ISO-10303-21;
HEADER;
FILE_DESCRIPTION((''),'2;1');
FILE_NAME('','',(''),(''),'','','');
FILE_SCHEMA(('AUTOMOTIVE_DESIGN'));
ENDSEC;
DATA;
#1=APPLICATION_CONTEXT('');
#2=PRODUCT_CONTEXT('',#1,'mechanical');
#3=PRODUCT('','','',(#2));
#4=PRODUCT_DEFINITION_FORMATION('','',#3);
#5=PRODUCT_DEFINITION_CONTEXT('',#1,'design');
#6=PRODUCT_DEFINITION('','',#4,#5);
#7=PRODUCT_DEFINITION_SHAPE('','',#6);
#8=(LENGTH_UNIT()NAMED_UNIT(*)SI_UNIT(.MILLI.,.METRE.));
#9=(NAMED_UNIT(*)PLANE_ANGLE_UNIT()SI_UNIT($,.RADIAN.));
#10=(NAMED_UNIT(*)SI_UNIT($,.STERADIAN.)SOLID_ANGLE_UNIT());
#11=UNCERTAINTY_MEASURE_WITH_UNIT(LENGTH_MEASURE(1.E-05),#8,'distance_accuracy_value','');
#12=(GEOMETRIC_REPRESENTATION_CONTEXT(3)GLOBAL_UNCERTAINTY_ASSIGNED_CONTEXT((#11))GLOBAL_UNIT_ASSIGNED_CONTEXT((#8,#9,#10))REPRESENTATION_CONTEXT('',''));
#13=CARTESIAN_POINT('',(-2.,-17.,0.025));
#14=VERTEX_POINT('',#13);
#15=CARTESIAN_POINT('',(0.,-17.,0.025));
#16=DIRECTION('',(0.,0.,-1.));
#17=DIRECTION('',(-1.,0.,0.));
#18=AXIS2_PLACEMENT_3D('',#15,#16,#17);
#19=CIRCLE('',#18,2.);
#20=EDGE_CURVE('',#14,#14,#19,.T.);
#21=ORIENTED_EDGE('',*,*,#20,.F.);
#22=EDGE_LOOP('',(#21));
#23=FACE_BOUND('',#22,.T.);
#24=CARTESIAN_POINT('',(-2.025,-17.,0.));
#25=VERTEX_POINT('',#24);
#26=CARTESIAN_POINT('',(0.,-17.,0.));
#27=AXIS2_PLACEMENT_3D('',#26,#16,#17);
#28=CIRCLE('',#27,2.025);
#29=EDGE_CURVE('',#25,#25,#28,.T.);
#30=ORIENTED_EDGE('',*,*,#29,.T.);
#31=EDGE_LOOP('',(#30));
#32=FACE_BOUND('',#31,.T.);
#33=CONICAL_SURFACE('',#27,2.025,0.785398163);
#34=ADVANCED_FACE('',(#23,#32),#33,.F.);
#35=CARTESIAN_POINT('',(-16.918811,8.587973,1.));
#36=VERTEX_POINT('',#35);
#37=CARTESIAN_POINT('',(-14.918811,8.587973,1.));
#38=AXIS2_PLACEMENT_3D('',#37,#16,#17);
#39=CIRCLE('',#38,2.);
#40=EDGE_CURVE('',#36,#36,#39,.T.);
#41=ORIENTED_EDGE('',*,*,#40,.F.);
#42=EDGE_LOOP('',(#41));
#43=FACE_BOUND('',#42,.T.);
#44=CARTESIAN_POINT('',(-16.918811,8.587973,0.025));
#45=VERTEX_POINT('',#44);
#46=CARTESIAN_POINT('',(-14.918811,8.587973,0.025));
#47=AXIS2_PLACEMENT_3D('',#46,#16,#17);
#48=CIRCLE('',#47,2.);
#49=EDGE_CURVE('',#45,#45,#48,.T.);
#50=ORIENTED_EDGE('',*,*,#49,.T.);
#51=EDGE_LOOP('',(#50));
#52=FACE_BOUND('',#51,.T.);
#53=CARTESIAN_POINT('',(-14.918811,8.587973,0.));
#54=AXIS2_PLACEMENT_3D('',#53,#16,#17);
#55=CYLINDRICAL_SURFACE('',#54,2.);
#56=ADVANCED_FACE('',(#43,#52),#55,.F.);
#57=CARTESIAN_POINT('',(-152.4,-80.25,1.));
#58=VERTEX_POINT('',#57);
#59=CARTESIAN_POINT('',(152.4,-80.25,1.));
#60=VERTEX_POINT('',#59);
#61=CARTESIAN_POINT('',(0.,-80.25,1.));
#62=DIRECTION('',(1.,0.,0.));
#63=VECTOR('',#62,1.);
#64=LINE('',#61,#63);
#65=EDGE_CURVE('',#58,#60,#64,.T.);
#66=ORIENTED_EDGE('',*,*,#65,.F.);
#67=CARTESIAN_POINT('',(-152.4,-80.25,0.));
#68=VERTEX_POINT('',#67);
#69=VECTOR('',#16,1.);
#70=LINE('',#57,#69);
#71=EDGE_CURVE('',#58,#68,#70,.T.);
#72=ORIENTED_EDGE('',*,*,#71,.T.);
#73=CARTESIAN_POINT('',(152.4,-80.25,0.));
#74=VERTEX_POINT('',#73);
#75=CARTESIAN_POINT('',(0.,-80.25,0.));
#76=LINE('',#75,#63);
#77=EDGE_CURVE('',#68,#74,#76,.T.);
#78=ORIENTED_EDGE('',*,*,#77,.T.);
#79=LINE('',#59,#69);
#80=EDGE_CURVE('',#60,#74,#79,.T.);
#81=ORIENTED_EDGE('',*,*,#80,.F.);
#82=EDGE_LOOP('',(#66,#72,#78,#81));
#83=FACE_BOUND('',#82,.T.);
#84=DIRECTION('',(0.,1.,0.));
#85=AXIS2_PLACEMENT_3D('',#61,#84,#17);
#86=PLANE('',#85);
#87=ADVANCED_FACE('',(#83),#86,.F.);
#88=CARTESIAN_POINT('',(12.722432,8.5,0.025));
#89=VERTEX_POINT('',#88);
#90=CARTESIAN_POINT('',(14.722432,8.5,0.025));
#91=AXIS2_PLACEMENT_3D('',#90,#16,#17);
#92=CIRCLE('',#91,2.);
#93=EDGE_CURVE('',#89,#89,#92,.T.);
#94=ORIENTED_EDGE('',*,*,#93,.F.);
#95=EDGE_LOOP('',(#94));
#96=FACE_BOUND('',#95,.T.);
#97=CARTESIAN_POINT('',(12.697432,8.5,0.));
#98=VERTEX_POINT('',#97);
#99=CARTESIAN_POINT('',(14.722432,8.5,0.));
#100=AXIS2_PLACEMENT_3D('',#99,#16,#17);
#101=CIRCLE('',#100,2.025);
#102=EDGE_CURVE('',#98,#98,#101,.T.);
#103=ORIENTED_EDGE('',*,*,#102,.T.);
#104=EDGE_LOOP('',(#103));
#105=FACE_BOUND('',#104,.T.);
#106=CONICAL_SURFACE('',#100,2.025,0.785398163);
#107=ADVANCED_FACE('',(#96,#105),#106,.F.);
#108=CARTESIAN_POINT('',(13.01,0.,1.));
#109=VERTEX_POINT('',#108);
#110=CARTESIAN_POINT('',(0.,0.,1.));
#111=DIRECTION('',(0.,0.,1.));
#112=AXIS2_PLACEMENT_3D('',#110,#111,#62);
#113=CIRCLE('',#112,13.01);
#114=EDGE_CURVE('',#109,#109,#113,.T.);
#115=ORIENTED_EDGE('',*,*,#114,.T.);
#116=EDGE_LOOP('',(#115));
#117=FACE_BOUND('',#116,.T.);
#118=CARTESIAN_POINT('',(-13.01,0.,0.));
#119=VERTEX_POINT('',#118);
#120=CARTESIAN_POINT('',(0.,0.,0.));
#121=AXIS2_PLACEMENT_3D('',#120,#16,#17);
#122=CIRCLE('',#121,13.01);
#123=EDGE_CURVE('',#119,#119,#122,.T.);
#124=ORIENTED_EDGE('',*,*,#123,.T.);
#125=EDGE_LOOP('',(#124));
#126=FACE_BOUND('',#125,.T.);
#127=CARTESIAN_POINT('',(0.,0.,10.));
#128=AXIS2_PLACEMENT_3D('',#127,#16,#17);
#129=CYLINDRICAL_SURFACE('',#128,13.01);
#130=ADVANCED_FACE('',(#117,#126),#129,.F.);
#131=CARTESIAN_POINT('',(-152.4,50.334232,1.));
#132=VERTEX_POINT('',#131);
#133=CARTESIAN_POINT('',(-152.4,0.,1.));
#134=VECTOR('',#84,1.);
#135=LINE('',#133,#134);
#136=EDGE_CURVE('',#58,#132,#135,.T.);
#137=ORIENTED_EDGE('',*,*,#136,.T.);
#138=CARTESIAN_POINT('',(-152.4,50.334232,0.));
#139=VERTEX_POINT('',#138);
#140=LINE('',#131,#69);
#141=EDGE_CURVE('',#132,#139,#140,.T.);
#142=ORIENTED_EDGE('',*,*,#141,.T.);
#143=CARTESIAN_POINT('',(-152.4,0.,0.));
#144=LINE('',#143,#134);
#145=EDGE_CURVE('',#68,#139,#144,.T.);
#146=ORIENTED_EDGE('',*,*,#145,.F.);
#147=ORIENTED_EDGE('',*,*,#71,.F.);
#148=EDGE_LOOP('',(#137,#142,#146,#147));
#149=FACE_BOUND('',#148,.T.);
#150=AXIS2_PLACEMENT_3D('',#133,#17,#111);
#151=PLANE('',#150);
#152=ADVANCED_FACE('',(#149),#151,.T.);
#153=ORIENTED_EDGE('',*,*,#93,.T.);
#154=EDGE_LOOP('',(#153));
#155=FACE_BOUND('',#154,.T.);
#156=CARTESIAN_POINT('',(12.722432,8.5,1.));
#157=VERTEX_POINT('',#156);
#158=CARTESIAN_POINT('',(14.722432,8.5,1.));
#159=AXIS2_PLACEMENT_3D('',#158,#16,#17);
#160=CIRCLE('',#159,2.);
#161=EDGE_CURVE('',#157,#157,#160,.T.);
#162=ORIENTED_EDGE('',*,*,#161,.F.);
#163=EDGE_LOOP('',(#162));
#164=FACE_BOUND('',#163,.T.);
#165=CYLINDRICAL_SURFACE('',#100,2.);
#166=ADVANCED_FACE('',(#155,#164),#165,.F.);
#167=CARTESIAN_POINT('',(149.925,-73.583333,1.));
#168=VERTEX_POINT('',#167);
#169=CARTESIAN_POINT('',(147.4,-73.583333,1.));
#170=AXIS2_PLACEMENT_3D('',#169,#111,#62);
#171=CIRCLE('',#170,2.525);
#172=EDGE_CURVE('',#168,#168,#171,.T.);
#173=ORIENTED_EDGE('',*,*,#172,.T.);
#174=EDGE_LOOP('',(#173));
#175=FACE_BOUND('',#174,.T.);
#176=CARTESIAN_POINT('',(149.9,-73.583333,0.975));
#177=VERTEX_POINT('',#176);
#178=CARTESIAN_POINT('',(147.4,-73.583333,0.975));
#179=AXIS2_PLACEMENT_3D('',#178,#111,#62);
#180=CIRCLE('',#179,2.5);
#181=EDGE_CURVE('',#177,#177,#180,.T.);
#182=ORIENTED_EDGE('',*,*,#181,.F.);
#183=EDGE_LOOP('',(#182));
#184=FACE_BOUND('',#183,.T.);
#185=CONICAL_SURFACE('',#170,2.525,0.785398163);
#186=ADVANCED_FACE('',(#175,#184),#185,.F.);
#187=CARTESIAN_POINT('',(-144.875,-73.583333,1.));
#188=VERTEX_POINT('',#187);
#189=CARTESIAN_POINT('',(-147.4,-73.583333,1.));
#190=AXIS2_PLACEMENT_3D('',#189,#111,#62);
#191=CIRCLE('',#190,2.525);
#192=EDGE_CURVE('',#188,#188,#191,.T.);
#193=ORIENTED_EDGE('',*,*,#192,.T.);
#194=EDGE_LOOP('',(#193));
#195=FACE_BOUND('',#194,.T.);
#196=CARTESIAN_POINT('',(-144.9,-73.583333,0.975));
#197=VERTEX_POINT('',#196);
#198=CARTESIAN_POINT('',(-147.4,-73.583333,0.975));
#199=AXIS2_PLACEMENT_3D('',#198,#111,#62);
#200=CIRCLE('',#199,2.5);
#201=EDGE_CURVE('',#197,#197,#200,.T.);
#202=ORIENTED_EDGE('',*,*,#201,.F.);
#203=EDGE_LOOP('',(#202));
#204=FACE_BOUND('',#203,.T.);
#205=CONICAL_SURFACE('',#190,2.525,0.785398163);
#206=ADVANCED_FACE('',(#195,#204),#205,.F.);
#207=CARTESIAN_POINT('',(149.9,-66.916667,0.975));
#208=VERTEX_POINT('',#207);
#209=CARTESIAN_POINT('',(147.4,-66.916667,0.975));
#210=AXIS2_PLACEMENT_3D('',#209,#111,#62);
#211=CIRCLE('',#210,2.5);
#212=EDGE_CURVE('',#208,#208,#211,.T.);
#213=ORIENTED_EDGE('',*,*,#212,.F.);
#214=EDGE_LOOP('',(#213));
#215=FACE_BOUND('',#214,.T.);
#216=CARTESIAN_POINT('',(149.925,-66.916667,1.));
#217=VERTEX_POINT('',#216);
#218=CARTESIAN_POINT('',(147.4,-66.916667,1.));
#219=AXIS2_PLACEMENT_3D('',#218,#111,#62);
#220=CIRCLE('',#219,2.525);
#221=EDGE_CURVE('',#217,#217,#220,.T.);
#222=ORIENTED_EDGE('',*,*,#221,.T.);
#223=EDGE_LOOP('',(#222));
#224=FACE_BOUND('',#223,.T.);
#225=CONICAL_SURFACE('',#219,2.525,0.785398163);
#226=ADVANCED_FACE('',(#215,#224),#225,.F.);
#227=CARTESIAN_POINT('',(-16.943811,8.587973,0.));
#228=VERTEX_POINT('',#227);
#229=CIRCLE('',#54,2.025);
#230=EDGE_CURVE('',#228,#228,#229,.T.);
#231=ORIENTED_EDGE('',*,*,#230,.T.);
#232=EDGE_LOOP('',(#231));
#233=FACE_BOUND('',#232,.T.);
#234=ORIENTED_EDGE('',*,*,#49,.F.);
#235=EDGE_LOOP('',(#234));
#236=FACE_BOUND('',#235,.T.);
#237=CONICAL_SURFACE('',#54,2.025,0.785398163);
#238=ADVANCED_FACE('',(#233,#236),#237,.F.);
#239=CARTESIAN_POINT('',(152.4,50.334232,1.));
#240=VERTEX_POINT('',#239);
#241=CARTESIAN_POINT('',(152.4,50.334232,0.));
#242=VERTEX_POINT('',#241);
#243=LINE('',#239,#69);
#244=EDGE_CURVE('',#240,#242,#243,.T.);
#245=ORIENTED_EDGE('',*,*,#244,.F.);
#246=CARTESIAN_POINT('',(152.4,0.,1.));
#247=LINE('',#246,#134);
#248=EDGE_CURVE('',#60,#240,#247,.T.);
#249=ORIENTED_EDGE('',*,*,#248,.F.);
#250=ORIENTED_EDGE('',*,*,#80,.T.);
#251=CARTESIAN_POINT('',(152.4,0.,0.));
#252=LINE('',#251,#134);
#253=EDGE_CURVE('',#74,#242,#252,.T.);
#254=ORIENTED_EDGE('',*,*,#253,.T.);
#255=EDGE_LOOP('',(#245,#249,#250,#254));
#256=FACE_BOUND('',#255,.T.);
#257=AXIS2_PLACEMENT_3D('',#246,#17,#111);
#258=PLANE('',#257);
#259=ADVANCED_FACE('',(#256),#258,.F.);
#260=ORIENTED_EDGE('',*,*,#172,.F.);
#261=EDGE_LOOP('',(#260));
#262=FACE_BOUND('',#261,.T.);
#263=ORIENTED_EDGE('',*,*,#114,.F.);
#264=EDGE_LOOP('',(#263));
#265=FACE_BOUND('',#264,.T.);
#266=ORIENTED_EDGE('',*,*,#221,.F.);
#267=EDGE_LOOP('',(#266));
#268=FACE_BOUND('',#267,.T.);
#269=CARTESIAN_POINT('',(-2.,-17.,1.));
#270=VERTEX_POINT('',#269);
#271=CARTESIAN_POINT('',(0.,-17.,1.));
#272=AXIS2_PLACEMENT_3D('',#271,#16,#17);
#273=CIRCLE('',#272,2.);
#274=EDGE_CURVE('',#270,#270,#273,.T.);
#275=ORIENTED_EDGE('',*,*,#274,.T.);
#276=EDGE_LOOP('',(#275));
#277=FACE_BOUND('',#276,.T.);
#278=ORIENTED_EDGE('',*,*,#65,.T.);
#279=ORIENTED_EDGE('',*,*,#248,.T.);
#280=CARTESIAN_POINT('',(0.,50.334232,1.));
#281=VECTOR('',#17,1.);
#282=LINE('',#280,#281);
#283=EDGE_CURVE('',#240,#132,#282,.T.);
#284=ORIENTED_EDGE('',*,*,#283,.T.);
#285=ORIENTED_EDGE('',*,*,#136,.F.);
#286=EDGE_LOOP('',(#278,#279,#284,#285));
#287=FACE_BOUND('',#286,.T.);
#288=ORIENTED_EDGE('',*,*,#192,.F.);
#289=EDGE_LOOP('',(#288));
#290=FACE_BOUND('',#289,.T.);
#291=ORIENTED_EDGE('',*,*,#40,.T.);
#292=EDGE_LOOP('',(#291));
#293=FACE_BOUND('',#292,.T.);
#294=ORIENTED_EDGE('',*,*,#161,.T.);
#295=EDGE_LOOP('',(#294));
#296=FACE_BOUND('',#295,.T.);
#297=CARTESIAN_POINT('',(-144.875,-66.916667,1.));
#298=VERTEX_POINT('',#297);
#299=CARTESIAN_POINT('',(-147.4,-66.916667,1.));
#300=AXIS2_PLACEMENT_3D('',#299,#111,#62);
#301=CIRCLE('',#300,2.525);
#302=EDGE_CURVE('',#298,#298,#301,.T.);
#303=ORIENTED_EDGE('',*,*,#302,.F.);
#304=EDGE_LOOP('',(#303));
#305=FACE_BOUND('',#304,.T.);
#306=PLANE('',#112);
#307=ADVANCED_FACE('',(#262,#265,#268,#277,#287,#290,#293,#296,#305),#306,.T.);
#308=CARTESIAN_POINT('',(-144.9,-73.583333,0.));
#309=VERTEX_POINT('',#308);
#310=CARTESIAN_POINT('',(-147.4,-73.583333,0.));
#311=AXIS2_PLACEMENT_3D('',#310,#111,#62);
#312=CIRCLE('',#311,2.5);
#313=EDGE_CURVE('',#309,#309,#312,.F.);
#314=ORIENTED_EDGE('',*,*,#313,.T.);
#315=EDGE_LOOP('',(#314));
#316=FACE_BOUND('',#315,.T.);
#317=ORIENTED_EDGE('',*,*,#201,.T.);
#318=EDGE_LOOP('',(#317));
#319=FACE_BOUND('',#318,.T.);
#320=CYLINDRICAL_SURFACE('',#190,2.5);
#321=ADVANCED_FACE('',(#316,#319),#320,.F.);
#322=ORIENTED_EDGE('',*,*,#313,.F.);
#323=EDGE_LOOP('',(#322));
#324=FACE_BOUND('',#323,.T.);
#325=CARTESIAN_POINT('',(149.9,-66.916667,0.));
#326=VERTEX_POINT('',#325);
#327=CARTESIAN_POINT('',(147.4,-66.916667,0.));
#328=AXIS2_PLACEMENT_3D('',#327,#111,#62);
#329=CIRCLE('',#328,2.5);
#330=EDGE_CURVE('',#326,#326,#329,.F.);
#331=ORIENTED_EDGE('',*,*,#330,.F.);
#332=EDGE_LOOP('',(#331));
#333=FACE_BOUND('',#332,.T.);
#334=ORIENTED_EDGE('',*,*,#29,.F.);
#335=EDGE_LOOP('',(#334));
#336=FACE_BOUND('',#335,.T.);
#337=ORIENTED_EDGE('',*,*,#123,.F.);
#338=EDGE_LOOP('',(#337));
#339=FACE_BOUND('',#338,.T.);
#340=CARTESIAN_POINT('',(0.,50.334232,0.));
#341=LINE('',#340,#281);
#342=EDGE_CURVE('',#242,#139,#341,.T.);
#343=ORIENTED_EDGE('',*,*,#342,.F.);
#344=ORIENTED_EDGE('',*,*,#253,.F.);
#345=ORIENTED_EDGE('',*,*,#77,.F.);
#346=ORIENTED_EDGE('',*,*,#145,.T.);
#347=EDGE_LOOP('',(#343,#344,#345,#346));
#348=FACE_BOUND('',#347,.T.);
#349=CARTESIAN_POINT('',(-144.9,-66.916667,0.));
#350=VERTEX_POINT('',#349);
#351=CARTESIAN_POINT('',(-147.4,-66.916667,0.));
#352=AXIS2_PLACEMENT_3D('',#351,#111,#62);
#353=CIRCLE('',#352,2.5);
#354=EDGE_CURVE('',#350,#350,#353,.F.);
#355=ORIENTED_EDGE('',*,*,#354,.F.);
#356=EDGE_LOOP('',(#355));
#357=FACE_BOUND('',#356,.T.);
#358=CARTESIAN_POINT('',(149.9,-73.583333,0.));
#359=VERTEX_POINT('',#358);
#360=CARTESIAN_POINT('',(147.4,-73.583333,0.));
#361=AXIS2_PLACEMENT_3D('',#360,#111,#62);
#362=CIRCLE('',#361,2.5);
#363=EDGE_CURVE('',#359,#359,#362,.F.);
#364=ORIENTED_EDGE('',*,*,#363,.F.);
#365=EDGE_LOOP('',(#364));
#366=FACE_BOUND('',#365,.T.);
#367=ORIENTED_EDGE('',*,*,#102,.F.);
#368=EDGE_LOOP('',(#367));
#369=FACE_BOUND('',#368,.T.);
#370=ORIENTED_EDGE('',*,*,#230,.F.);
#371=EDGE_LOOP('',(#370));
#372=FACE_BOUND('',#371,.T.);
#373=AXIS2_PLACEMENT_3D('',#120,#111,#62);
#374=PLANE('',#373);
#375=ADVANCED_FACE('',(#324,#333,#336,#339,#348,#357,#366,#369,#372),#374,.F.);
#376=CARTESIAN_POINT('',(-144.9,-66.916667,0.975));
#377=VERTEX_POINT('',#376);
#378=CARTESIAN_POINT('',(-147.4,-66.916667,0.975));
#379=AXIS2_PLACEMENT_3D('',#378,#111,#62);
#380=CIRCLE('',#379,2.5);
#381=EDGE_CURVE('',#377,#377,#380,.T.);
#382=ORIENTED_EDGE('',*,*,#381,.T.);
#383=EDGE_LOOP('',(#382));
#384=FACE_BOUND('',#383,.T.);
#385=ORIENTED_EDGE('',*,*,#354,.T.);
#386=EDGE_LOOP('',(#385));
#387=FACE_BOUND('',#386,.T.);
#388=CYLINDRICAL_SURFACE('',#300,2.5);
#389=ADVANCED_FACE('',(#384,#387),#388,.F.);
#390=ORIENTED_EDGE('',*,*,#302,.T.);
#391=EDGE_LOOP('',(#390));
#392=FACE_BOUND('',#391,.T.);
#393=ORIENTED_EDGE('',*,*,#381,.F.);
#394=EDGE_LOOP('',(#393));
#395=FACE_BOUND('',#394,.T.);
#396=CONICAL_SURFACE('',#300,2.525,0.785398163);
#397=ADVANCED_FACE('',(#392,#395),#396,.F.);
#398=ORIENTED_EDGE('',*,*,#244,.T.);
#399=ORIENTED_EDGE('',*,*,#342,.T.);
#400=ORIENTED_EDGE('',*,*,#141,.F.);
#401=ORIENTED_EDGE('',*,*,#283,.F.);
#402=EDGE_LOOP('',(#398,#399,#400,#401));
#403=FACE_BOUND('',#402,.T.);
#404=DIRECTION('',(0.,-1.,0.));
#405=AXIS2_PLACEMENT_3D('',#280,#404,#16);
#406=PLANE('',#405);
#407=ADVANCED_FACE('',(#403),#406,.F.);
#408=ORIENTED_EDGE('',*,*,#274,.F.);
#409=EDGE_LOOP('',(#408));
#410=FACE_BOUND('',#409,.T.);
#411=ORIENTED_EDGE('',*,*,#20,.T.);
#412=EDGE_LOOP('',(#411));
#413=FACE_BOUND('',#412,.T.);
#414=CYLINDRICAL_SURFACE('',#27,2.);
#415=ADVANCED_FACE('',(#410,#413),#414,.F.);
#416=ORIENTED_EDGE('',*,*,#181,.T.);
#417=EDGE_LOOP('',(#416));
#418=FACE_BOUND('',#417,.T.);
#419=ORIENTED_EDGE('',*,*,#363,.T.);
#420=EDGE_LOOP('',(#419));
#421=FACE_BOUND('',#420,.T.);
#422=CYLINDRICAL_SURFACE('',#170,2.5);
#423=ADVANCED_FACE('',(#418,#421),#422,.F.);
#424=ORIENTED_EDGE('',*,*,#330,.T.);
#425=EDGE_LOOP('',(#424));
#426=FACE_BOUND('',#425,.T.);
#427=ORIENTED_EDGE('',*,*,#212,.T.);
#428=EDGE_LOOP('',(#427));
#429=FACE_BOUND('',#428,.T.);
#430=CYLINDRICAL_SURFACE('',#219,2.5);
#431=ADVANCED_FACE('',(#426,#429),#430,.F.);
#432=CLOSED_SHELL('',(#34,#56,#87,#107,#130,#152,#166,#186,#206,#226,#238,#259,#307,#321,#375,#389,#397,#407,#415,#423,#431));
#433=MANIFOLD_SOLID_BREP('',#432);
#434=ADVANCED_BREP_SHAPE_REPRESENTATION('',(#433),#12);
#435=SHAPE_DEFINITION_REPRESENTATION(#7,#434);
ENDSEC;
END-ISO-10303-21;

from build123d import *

# Parameters (mm, degrees)
BOSS_EXTRUDE2_DEPTH            = 1
F_5_0MM_DOWEL_HOLE4_AT_2_COUNT = 2
F_5_0MM_DOWEL_HOLE4_AT_2_PITCH = 6.666666667
F_5_0MM_DOWEL_HOLE4_AT_3_COUNT = 2
F_5_0MM_DOWEL_HOLE4_AT_3_PITCH = 294.8
F_5_0MM_DOWEL_HOLE4_AT_4_COUNT = 2
F_5_0MM_DOWEL_HOLE4_AT_4_PITCH = 294.875371037
F_4_0MM_DOWEL_HOLE1_AT_2_COUNT = 2
F_4_0MM_DOWEL_HOLE1_AT_2_PITCH = 29.641373273
F_4_0MM_DOWEL_HOLE1_AT_3_COUNT = 2
F_4_0MM_DOWEL_HOLE1_AT_3_PITCH = 29.619508559
SKETCH14_R                     = 13.01
CUT_EXTRUDE1_DEPTH             = 10
BOSS_EXTRUDE4_DEPTH            = 1


with BuildPart() as part:
    # Sketch1 → Boss-Extrude2 (new body)
    with BuildSketch(Plane.XY):
        with BuildLine():
            Line((-152.4, -80.25), (152.4, -80.25))
            Line((152.4, -80.25), (152.4, -60.25))
            ThreePointArc((152.4, -60.25), (0, 50.334231889), (-152.4, -60.25))
            Line((-152.4, -60.25), (-152.4, -80.25))
        make_face()
    extrude(amount=BOSS_EXTRUDE2_DEPTH)

    # Sketch9 → Ø5.0mm Dowel Hole4 (revolve, cut)
    with BuildSketch(Plane(origin=(-147.4, -66.916666667, 1), x_dir=(0, -1, 0), z_dir=(1, 0, 0))):
        Polygon((0, 0), (0, 2.502151548), (2.5, 1), (2.5, 0.025), (2.525, 0), align=None)
    f_5_0mm_dowel_hole4 = revolve(axis=Axis((-147.4, -66.916666667, 7.35), (0, 0, -1)), mode=Mode.SUBTRACT)

    # Ø5.0mm Dowel Hole4 at 2: Ø5.0mm Dowel Hole4 ×2
    with Locations(*[(0, -i * F_5_0MM_DOWEL_HOLE4_AT_2_PITCH, 0) for i in range(1, F_5_0MM_DOWEL_HOLE4_AT_2_COUNT)]):
        add(f_5_0mm_dowel_hole4, mode=Mode.SUBTRACT)

    # Ø5.0mm Dowel Hole4 at 3: Ø5.0mm Dowel Hole4 ×2
    with Locations(*[(i * F_5_0MM_DOWEL_HOLE4_AT_3_PITCH, 0, 0) for i in range(1, F_5_0MM_DOWEL_HOLE4_AT_3_COUNT)]):
        add(f_5_0mm_dowel_hole4, mode=Mode.SUBTRACT)

    # Ø5.0mm Dowel Hole4 at 4: Ø5.0mm Dowel Hole4 ×2
    with Locations(*[Vector(0.9997443969730838, -0.02260842146026871, 0) * (i * F_5_0MM_DOWEL_HOLE4_AT_4_PITCH) for i in range(1, F_5_0MM_DOWEL_HOLE4_AT_4_COUNT)]):
        add(f_5_0mm_dowel_hole4, mode=Mode.SUBTRACT)

    # Sketch13 → Ø4.0mm Dowel Hole1 (revolve, cut)
    with BuildSketch(Plane(origin=(-14.91881086, 8.587973147, 0), x_dir=(0, 1, 0), z_dir=(1, 0, 0))):
        Polygon((0, 0), (0, 1), (2, 1), (2, 0.025), (2.025, 0), align=None)
    f_4_0mm_dowel_hole1 = revolve(axis=Axis((-14.91881086, 8.587973147, -6.35), (0, 0, 1)), mode=Mode.SUBTRACT)

    # Ø4.0mm Dowel Hole1 at 2: Ø4.0mm Dowel Hole1 ×2
    with Locations(*[Vector(0.9999955957234619, -0.0029679173975410726, 0) * (i * F_4_0MM_DOWEL_HOLE1_AT_2_PITCH) for i in range(1, F_4_0MM_DOWEL_HOLE1_AT_2_COUNT)]):
        add(f_4_0mm_dowel_hole1, mode=Mode.SUBTRACT)

    # Ø4.0mm Dowel Hole1 at 3: Ø4.0mm Dowel Hole1 ×2
    with Locations(*[Vector(0.5036819172784638, -0.8638891863003557, 0) * (i * F_4_0MM_DOWEL_HOLE1_AT_3_PITCH) for i in range(1, F_4_0MM_DOWEL_HOLE1_AT_3_COUNT)]):
        add(f_4_0mm_dowel_hole1, mode=Mode.SUBTRACT)

    # Sketch14 → Cut-Extrude1 (cut)
    with BuildSketch(Plane(origin=(0, 0, 0), x_dir=(-1, 0, 0), z_dir=(0, 0, -1))):
        Circle(SKETCH14_R)
    extrude(amount=-CUT_EXTRUDE1_DEPTH, mode=Mode.SUBTRACT)

    # Sketch15 → Boss-Extrude4 (add)
    with BuildSketch(Plane(origin=(0, 0, 0), x_dir=(-1, 0, 0), z_dir=(0, 0, -1))):
        with BuildLine():
            ThreePointArc((-152.4, -60.25), (0, 40.202429788), (152.4, -60.25))
            ThreePointArc((152.4, -60.25), (0, 50.334231889), (-152.4, -60.25))
        make_face()
        with BuildLine():
            Line((-152.4, 50.334231889), (-152.4, -60.25))
            ThreePointArc((-152.4, -60.25), (-94.147002198, 19.775508453), (8.24e-07, 50.334231889))
            Line((8.24e-07, 50.334231889), (-152.4, 50.334231889))
        make_face()
        with BuildLine():
            ThreePointArc((8.24e-07, 50.334231889), (94.147002865, 19.775507969), (152.4, -60.25))
            Line((152.4, -60.25), (152.4, 50.334231889))
            Line((152.4, 50.334231889), (8.24e-07, 50.334231889))
        make_face()
    extrude(amount=-BOSS_EXTRUDE4_DEPTH)


solid = part.part
